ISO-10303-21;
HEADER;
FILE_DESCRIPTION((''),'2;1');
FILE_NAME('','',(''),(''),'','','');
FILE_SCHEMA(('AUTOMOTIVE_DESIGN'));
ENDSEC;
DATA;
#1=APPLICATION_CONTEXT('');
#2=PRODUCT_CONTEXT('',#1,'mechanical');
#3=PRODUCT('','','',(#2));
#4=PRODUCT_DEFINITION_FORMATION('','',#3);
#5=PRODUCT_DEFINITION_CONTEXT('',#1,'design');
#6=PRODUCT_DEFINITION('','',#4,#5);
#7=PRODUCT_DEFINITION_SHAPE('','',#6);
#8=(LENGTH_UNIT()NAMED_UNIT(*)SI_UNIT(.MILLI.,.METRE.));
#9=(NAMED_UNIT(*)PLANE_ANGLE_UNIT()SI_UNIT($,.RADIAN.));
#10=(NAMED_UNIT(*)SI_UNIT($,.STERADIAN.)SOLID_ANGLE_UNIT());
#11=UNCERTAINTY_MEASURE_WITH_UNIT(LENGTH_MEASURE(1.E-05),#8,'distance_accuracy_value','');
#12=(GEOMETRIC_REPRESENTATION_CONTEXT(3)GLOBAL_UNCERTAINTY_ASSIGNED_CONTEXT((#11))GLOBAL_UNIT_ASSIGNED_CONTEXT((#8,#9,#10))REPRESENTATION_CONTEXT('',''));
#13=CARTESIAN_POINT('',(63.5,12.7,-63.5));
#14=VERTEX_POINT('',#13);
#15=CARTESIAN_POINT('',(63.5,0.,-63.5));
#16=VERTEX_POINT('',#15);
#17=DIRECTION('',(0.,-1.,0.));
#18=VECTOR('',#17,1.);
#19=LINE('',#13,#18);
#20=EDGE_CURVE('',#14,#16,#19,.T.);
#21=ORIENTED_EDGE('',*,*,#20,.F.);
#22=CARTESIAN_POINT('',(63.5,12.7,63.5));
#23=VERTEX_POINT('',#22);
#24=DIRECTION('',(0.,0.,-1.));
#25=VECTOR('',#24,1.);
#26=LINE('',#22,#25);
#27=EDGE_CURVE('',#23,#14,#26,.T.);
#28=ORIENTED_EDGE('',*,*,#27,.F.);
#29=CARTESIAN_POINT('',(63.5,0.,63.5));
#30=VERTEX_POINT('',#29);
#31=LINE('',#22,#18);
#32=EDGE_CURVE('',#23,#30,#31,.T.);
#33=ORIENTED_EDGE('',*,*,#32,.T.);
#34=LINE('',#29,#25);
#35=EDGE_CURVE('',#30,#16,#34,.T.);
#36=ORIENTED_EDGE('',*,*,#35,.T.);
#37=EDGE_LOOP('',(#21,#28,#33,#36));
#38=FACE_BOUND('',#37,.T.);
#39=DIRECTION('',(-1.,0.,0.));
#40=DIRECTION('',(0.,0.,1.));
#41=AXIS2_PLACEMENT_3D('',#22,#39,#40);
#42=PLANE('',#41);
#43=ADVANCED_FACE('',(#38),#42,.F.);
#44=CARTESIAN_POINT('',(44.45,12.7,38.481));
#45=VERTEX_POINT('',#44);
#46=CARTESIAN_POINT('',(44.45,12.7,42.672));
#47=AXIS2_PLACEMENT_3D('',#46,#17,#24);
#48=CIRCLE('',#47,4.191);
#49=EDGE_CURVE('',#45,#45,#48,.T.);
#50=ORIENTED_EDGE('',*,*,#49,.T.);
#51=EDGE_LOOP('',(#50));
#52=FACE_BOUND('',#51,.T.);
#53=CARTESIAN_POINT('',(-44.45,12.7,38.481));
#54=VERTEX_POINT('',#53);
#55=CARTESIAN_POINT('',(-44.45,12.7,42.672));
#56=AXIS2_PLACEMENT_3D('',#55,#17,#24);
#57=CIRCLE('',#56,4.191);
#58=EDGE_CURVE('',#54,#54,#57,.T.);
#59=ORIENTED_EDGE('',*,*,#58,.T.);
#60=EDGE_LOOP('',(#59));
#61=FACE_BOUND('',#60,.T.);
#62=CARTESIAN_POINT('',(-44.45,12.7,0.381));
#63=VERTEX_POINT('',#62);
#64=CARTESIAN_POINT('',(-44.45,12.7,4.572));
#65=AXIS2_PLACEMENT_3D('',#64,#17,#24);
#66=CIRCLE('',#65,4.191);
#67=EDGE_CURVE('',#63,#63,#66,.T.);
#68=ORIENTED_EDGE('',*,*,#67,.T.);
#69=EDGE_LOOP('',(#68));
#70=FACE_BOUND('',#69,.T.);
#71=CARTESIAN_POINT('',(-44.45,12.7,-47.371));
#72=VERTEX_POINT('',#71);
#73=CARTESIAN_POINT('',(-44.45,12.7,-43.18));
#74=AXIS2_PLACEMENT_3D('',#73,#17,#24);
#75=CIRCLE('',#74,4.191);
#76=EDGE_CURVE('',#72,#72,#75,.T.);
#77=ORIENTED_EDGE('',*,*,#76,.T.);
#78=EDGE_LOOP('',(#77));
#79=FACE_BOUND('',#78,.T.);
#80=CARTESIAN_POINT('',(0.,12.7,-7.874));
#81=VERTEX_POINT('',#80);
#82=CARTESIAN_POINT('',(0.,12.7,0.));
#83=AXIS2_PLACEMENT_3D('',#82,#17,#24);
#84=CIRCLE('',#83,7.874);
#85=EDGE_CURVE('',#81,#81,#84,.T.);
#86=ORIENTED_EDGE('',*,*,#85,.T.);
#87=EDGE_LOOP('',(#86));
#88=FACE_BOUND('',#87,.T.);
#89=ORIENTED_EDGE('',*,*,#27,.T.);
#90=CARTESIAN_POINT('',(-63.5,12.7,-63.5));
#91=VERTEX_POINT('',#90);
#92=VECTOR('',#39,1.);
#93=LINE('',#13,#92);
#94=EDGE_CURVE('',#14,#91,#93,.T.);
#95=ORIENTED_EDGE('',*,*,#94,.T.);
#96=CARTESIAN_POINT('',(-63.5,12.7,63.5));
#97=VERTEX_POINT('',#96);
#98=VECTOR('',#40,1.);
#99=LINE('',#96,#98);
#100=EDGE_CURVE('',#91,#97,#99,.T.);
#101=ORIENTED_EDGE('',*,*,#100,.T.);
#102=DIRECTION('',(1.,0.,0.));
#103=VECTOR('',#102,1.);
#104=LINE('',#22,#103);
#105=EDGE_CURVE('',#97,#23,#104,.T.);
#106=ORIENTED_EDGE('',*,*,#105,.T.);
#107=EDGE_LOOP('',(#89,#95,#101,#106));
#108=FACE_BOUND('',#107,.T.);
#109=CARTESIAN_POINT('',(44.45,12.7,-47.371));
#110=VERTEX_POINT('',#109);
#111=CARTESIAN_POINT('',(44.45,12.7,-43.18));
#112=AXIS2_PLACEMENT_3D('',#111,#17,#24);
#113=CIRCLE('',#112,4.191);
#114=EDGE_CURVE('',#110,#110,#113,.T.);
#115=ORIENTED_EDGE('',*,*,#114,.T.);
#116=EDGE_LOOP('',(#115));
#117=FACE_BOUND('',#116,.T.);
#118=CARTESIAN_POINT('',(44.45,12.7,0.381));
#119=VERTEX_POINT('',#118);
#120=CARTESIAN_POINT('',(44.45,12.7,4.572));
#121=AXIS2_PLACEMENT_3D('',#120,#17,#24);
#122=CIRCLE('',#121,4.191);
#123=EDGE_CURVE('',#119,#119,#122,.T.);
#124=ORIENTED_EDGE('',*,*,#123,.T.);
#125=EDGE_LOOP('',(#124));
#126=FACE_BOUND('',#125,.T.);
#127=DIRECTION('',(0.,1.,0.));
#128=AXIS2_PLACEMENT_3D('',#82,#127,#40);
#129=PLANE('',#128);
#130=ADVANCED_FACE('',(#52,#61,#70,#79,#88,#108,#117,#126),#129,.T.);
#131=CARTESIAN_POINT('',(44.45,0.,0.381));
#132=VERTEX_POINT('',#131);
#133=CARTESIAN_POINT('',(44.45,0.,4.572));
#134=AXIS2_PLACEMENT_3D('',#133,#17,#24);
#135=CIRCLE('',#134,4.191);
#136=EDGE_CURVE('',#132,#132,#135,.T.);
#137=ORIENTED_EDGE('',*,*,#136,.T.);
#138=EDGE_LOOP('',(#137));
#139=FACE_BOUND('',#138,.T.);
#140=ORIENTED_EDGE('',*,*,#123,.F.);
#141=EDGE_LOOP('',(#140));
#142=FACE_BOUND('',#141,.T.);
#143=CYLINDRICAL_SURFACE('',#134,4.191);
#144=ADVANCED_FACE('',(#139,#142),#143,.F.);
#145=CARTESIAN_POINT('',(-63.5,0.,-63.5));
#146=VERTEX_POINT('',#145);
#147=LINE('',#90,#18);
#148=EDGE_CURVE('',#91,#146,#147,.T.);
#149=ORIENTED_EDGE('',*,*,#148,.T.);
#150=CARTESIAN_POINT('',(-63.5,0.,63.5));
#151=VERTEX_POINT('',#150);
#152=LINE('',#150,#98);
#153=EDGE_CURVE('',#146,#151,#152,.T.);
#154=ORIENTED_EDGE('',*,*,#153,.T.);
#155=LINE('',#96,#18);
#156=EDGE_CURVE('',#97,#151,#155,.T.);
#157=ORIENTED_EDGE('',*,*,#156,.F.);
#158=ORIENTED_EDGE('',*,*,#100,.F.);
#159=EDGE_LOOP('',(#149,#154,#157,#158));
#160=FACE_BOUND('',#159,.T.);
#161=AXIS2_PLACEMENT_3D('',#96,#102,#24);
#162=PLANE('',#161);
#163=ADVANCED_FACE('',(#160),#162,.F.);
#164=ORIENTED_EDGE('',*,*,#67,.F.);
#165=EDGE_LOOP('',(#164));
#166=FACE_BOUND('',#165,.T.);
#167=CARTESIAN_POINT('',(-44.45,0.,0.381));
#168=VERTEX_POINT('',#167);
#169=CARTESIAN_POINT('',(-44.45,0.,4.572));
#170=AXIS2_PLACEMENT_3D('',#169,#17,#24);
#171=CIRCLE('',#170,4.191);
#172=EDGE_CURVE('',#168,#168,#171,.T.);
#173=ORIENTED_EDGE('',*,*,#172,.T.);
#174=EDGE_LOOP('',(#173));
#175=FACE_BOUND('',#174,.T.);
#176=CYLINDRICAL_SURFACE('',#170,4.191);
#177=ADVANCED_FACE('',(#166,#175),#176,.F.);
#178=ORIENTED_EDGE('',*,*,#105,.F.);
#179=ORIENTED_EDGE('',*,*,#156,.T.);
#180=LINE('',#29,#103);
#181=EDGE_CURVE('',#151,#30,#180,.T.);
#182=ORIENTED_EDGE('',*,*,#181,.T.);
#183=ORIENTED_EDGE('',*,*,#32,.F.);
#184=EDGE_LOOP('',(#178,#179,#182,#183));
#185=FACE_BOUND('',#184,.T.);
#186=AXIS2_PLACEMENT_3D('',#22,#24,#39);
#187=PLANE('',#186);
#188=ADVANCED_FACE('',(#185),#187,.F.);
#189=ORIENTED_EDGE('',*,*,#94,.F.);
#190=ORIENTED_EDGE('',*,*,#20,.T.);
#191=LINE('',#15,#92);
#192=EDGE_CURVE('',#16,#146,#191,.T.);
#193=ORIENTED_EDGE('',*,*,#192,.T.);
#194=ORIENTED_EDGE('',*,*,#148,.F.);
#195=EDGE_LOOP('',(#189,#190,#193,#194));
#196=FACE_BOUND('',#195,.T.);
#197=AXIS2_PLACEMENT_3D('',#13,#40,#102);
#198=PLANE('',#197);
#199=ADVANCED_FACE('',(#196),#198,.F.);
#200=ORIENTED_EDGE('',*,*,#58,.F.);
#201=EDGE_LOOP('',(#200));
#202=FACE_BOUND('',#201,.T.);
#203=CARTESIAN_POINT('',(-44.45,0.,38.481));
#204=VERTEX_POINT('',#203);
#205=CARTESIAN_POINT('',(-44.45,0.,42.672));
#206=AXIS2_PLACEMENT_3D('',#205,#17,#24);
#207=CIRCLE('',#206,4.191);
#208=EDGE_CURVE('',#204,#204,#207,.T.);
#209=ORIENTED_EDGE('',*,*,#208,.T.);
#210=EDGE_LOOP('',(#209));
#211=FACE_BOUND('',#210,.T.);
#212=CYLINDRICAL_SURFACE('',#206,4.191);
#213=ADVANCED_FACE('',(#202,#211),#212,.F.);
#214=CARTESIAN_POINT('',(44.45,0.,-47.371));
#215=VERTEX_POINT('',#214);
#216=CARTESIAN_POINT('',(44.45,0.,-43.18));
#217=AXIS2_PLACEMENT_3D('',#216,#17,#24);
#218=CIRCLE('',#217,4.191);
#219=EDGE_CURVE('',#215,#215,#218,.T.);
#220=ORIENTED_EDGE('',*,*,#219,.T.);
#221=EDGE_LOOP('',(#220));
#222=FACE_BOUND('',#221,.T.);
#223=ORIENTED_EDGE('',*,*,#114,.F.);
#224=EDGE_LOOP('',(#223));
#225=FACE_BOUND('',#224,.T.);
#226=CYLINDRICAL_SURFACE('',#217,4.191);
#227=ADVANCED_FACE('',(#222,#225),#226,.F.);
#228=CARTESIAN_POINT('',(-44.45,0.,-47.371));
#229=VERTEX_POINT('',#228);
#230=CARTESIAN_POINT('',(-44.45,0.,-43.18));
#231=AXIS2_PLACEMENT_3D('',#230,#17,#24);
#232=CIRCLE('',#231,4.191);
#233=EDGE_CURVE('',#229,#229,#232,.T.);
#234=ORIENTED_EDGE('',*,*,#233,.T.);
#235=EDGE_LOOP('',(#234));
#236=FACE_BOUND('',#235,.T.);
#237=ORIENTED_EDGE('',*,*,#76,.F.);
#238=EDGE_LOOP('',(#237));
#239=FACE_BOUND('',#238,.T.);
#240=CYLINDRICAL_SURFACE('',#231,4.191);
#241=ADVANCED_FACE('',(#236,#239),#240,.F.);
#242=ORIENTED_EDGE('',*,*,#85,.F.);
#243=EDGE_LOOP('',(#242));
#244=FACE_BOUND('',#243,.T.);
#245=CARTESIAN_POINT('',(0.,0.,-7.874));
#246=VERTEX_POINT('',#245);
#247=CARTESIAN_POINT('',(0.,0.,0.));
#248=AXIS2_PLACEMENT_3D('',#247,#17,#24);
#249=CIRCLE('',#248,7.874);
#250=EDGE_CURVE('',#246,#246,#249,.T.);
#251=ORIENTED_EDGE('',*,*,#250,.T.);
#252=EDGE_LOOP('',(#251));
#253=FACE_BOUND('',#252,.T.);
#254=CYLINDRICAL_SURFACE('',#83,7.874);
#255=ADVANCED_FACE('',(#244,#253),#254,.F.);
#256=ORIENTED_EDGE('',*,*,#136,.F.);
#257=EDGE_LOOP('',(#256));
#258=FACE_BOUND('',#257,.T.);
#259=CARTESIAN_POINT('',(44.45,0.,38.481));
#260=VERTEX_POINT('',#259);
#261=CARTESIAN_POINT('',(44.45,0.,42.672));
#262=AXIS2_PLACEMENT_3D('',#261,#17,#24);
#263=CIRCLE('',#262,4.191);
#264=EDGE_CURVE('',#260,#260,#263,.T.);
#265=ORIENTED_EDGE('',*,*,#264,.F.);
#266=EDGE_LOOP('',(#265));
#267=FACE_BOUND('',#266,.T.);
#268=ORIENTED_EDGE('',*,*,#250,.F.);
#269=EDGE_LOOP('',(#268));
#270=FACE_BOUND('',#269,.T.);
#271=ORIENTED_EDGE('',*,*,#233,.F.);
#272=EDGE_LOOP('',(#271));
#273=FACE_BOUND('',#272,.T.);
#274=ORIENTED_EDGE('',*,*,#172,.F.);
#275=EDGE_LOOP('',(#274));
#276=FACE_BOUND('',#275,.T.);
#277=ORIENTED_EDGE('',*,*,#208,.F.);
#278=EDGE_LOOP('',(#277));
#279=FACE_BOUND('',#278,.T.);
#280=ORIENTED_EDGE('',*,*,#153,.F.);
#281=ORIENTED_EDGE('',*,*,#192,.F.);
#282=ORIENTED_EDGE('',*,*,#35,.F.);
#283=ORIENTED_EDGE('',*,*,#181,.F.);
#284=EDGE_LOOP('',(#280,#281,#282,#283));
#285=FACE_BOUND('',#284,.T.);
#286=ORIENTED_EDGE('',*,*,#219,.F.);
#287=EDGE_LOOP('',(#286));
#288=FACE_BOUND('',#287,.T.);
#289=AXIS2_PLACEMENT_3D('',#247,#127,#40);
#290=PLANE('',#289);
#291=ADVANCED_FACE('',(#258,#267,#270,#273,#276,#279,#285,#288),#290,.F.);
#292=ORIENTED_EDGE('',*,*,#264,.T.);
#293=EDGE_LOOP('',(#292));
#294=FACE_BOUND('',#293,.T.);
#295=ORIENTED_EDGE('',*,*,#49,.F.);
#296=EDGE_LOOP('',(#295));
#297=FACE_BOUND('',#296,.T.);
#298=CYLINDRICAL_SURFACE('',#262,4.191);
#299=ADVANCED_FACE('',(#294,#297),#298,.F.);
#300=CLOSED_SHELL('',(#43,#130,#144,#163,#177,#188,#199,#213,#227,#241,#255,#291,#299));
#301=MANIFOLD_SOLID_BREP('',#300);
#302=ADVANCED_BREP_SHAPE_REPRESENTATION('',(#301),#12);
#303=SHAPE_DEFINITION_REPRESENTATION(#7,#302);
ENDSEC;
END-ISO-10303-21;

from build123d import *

# Parameters (mm, degrees)
SKETCH2_W              = 127
SKETCH2_H              = 127
BOSS_EXTRUDE1_DEPTH    = 12.7
F_10_0MM_DOWEL_HOLE1_D = 8.382
SKETCH12_R             = 7.874
CUT_EXTRUDE2_DEPTH     = 13.7


with BuildPart() as part:
    # Sketch2 → Boss-Extrude1 (new body)
    with BuildSketch(Plane(origin=(0, 0, 0), x_dir=(1, 0, 0), z_dir=(0, 1, 0))):
        Rectangle(SKETCH2_W, SKETCH2_H)
    extrude(amount=BOSS_EXTRUDE1_DEPTH)

    # Ø10.0mm Dowel Hole1 (through all)
    with Locations(Plane(origin=(0, 0, 0), x_dir=(-1, 0, 0), z_dir=(0, -1, 0))):
        with Locations((-44.45, 43.18), (-44.45, -4.572), (-44.45, -42.672), (44.45, 43.18), (44.45, -4.572), (44.45, -42.672)):
            Hole(F_10_0MM_DOWEL_HOLE1_D / 2)

    # Sketch12 → Cut-Extrude2 (cut, through all)
    with BuildSketch(Plane.XZ):
        Circle(SKETCH12_R)
    extrude(amount=-CUT_EXTRUDE2_DEPTH, mode=Mode.SUBTRACT)


solid = part.part
